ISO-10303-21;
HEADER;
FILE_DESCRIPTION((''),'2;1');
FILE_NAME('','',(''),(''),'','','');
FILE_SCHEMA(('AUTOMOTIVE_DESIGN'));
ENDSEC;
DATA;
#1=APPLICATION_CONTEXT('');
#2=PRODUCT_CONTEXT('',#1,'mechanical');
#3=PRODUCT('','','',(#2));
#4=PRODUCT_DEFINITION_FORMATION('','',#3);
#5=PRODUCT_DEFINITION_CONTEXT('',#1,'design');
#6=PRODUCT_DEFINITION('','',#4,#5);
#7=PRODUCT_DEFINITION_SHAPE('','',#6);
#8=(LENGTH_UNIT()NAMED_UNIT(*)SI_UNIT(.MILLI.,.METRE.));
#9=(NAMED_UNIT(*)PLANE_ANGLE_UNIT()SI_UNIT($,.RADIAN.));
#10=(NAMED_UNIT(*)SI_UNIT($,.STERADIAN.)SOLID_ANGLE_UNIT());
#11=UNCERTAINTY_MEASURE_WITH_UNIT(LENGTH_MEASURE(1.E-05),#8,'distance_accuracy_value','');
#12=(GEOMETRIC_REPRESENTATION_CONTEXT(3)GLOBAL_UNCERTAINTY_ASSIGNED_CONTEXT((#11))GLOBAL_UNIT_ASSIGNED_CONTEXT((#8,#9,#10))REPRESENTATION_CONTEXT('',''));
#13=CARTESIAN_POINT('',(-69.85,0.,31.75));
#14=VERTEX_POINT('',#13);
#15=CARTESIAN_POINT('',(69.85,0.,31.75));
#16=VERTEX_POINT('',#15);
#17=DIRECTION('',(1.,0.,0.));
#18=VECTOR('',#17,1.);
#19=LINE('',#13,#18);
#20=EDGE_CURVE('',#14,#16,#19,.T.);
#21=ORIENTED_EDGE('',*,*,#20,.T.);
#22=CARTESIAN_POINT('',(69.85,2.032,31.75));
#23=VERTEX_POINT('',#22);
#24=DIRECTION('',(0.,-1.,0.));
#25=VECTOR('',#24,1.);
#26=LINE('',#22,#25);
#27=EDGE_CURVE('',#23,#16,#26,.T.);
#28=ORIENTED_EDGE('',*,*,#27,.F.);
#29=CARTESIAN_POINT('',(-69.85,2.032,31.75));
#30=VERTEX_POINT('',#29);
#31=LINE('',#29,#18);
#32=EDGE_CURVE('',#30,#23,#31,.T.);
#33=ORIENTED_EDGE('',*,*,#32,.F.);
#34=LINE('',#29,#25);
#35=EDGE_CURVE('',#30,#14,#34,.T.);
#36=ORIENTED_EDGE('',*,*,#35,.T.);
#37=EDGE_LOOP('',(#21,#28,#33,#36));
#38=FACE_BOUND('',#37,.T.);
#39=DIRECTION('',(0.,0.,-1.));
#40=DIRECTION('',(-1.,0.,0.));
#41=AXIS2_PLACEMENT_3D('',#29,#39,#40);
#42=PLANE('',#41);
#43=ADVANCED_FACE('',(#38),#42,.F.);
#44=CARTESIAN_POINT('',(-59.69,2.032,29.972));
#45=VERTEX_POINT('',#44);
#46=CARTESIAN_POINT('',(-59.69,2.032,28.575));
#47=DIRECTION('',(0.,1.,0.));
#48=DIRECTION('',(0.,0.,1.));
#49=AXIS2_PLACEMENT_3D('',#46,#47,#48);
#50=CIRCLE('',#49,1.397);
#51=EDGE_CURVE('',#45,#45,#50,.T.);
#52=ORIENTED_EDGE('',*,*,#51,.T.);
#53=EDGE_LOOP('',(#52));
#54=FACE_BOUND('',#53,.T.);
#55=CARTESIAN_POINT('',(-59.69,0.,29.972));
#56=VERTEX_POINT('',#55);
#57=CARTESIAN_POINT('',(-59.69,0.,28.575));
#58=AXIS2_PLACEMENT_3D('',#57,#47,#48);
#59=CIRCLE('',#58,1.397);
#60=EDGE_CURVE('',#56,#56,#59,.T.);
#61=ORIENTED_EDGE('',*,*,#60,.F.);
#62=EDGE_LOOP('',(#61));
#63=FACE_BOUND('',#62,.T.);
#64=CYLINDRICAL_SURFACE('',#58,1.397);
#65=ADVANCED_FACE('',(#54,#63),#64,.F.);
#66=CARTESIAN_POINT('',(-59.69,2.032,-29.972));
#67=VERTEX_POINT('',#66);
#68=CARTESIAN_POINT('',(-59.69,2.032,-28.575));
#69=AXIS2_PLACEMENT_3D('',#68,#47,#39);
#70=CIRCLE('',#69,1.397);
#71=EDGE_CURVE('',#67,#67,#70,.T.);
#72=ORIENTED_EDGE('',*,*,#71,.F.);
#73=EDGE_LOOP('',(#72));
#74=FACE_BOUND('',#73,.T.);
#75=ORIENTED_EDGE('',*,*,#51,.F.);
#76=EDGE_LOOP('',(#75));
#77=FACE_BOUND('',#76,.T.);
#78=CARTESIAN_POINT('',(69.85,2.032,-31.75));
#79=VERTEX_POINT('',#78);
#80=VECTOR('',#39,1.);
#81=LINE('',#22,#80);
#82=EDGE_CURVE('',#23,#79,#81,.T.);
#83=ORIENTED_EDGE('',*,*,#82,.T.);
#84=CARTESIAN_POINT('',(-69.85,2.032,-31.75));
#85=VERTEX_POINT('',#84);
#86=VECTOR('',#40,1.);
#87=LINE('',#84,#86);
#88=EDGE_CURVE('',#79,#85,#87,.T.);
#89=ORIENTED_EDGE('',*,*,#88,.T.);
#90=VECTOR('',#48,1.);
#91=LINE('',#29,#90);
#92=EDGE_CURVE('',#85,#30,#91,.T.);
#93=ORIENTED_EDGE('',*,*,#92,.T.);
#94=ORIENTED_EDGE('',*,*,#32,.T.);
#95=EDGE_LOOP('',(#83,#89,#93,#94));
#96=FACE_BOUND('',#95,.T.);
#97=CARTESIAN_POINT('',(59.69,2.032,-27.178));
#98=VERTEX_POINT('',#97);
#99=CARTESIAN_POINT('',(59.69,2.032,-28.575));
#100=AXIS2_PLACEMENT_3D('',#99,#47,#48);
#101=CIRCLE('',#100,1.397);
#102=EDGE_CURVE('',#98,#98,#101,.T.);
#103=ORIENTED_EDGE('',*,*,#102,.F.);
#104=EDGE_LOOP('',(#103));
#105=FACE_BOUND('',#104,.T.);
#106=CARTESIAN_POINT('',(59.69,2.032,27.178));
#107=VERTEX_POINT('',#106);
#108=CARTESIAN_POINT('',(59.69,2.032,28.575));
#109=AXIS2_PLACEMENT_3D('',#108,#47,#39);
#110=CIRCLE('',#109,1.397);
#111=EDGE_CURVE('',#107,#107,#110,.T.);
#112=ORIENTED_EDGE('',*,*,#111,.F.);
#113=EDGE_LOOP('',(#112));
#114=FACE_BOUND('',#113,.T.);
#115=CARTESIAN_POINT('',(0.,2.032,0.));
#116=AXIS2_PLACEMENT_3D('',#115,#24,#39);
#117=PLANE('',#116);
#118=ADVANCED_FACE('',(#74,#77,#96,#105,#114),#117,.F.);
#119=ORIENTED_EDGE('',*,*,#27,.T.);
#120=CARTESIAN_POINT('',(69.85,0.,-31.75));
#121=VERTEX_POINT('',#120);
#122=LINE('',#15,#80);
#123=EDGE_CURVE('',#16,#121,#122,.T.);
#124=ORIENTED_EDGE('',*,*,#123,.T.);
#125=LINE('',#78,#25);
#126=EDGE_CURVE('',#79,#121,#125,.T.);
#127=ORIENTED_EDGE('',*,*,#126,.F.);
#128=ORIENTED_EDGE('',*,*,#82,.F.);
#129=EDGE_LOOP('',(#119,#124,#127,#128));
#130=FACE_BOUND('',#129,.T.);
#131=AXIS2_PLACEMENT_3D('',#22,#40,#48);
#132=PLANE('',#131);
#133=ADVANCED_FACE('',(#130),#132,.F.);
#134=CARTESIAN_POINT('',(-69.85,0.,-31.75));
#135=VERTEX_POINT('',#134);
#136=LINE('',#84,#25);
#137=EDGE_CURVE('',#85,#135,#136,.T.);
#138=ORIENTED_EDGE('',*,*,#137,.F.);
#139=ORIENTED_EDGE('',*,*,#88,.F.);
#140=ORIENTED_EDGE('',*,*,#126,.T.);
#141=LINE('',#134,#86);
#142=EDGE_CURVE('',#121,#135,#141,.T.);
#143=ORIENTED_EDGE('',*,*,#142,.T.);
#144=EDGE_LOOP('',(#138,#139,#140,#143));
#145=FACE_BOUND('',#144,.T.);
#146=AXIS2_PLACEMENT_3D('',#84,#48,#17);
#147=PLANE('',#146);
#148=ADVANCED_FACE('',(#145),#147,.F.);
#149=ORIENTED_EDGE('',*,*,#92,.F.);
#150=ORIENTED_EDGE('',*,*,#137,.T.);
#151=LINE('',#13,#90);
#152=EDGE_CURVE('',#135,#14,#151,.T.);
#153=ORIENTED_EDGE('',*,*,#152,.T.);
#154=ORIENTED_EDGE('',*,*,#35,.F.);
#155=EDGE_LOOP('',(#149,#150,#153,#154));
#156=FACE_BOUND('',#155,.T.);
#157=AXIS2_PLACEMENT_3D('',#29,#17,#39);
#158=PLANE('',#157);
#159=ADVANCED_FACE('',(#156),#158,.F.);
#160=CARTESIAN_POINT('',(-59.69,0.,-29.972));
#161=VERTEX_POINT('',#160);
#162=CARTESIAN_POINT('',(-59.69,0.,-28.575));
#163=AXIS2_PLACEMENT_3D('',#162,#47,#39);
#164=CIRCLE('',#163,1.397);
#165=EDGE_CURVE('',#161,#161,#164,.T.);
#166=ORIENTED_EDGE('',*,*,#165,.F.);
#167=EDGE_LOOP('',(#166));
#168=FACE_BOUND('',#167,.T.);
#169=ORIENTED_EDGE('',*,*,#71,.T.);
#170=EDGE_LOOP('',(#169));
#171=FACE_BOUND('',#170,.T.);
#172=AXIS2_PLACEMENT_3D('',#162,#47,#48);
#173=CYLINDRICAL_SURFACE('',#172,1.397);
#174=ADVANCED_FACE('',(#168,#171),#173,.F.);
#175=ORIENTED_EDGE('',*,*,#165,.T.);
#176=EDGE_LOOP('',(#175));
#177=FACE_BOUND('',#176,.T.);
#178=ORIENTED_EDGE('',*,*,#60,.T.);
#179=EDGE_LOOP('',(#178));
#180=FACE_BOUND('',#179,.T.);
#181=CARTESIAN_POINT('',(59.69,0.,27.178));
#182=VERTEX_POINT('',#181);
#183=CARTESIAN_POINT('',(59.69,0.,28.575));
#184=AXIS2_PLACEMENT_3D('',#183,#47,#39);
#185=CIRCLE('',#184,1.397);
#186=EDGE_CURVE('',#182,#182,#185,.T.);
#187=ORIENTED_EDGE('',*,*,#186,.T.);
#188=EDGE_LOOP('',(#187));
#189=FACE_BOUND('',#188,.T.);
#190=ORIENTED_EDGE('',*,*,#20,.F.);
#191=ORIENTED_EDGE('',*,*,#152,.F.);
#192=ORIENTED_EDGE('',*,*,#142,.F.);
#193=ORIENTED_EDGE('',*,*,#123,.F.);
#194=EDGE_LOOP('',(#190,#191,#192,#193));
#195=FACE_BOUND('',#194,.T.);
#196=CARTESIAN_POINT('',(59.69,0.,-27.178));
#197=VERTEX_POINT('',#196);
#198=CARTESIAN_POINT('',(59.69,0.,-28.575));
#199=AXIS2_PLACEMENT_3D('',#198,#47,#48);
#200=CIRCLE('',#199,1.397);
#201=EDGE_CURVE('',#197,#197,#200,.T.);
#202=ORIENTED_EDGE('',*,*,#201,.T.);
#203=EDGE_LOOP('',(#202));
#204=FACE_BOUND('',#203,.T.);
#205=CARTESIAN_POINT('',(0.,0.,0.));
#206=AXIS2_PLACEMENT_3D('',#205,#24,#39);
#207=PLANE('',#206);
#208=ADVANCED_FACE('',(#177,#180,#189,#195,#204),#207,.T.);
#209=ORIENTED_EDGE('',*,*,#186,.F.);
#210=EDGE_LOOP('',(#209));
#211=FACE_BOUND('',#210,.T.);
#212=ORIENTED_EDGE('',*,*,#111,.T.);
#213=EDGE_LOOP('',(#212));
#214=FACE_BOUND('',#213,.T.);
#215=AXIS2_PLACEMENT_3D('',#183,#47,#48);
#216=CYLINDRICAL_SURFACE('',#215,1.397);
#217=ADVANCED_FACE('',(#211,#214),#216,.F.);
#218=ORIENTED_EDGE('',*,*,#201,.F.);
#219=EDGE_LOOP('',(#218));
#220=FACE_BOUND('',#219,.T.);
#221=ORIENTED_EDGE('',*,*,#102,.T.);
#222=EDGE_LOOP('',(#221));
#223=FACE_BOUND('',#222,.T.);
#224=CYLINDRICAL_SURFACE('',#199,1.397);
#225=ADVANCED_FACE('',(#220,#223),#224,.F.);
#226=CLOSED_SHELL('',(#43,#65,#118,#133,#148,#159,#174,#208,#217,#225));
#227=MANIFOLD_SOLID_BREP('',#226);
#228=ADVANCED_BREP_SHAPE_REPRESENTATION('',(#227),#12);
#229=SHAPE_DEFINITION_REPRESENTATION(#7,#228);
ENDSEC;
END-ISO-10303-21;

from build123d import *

# Parameters (mm, degrees)
SKETCH1_W           = 139.7
SKETCH1_H           = 63.5
BOSS_EXTRUDE1_DEPTH = 2.032
SKETCH2_R           = 1.397
CUT_EXTRUDE1_DEPTH  = 3.032


with BuildPart() as part:
    # Sketch1 → Boss-Extrude1 (new body)
    with BuildSketch(Plane(origin=(0, 0, 0), x_dir=(1, 0, 0), z_dir=(0, 1, 0))):
        Rectangle(SKETCH1_W, SKETCH1_H)
    extrude(amount=BOSS_EXTRUDE1_DEPTH)

    # Sketch2 → Cut-Extrude1 (cut, through all)
    with BuildSketch(Plane(origin=(0, 2.032, 0), x_dir=(1, 0, 0), z_dir=(0, 1, 0))):
        with Locations((59.69, 28.575)):
            Circle(SKETCH2_R)
        with Locations((-59.69, 28.575)):
            Circle(SKETCH2_R)
        with Locations((59.69, -28.575)):
            Circle(SKETCH2_R)
        with Locations((-59.69, -28.575)):
            Circle(SKETCH2_R)
    extrude(amount=-CUT_EXTRUDE1_DEPTH, mode=Mode.SUBTRACT)


solid = part.part
